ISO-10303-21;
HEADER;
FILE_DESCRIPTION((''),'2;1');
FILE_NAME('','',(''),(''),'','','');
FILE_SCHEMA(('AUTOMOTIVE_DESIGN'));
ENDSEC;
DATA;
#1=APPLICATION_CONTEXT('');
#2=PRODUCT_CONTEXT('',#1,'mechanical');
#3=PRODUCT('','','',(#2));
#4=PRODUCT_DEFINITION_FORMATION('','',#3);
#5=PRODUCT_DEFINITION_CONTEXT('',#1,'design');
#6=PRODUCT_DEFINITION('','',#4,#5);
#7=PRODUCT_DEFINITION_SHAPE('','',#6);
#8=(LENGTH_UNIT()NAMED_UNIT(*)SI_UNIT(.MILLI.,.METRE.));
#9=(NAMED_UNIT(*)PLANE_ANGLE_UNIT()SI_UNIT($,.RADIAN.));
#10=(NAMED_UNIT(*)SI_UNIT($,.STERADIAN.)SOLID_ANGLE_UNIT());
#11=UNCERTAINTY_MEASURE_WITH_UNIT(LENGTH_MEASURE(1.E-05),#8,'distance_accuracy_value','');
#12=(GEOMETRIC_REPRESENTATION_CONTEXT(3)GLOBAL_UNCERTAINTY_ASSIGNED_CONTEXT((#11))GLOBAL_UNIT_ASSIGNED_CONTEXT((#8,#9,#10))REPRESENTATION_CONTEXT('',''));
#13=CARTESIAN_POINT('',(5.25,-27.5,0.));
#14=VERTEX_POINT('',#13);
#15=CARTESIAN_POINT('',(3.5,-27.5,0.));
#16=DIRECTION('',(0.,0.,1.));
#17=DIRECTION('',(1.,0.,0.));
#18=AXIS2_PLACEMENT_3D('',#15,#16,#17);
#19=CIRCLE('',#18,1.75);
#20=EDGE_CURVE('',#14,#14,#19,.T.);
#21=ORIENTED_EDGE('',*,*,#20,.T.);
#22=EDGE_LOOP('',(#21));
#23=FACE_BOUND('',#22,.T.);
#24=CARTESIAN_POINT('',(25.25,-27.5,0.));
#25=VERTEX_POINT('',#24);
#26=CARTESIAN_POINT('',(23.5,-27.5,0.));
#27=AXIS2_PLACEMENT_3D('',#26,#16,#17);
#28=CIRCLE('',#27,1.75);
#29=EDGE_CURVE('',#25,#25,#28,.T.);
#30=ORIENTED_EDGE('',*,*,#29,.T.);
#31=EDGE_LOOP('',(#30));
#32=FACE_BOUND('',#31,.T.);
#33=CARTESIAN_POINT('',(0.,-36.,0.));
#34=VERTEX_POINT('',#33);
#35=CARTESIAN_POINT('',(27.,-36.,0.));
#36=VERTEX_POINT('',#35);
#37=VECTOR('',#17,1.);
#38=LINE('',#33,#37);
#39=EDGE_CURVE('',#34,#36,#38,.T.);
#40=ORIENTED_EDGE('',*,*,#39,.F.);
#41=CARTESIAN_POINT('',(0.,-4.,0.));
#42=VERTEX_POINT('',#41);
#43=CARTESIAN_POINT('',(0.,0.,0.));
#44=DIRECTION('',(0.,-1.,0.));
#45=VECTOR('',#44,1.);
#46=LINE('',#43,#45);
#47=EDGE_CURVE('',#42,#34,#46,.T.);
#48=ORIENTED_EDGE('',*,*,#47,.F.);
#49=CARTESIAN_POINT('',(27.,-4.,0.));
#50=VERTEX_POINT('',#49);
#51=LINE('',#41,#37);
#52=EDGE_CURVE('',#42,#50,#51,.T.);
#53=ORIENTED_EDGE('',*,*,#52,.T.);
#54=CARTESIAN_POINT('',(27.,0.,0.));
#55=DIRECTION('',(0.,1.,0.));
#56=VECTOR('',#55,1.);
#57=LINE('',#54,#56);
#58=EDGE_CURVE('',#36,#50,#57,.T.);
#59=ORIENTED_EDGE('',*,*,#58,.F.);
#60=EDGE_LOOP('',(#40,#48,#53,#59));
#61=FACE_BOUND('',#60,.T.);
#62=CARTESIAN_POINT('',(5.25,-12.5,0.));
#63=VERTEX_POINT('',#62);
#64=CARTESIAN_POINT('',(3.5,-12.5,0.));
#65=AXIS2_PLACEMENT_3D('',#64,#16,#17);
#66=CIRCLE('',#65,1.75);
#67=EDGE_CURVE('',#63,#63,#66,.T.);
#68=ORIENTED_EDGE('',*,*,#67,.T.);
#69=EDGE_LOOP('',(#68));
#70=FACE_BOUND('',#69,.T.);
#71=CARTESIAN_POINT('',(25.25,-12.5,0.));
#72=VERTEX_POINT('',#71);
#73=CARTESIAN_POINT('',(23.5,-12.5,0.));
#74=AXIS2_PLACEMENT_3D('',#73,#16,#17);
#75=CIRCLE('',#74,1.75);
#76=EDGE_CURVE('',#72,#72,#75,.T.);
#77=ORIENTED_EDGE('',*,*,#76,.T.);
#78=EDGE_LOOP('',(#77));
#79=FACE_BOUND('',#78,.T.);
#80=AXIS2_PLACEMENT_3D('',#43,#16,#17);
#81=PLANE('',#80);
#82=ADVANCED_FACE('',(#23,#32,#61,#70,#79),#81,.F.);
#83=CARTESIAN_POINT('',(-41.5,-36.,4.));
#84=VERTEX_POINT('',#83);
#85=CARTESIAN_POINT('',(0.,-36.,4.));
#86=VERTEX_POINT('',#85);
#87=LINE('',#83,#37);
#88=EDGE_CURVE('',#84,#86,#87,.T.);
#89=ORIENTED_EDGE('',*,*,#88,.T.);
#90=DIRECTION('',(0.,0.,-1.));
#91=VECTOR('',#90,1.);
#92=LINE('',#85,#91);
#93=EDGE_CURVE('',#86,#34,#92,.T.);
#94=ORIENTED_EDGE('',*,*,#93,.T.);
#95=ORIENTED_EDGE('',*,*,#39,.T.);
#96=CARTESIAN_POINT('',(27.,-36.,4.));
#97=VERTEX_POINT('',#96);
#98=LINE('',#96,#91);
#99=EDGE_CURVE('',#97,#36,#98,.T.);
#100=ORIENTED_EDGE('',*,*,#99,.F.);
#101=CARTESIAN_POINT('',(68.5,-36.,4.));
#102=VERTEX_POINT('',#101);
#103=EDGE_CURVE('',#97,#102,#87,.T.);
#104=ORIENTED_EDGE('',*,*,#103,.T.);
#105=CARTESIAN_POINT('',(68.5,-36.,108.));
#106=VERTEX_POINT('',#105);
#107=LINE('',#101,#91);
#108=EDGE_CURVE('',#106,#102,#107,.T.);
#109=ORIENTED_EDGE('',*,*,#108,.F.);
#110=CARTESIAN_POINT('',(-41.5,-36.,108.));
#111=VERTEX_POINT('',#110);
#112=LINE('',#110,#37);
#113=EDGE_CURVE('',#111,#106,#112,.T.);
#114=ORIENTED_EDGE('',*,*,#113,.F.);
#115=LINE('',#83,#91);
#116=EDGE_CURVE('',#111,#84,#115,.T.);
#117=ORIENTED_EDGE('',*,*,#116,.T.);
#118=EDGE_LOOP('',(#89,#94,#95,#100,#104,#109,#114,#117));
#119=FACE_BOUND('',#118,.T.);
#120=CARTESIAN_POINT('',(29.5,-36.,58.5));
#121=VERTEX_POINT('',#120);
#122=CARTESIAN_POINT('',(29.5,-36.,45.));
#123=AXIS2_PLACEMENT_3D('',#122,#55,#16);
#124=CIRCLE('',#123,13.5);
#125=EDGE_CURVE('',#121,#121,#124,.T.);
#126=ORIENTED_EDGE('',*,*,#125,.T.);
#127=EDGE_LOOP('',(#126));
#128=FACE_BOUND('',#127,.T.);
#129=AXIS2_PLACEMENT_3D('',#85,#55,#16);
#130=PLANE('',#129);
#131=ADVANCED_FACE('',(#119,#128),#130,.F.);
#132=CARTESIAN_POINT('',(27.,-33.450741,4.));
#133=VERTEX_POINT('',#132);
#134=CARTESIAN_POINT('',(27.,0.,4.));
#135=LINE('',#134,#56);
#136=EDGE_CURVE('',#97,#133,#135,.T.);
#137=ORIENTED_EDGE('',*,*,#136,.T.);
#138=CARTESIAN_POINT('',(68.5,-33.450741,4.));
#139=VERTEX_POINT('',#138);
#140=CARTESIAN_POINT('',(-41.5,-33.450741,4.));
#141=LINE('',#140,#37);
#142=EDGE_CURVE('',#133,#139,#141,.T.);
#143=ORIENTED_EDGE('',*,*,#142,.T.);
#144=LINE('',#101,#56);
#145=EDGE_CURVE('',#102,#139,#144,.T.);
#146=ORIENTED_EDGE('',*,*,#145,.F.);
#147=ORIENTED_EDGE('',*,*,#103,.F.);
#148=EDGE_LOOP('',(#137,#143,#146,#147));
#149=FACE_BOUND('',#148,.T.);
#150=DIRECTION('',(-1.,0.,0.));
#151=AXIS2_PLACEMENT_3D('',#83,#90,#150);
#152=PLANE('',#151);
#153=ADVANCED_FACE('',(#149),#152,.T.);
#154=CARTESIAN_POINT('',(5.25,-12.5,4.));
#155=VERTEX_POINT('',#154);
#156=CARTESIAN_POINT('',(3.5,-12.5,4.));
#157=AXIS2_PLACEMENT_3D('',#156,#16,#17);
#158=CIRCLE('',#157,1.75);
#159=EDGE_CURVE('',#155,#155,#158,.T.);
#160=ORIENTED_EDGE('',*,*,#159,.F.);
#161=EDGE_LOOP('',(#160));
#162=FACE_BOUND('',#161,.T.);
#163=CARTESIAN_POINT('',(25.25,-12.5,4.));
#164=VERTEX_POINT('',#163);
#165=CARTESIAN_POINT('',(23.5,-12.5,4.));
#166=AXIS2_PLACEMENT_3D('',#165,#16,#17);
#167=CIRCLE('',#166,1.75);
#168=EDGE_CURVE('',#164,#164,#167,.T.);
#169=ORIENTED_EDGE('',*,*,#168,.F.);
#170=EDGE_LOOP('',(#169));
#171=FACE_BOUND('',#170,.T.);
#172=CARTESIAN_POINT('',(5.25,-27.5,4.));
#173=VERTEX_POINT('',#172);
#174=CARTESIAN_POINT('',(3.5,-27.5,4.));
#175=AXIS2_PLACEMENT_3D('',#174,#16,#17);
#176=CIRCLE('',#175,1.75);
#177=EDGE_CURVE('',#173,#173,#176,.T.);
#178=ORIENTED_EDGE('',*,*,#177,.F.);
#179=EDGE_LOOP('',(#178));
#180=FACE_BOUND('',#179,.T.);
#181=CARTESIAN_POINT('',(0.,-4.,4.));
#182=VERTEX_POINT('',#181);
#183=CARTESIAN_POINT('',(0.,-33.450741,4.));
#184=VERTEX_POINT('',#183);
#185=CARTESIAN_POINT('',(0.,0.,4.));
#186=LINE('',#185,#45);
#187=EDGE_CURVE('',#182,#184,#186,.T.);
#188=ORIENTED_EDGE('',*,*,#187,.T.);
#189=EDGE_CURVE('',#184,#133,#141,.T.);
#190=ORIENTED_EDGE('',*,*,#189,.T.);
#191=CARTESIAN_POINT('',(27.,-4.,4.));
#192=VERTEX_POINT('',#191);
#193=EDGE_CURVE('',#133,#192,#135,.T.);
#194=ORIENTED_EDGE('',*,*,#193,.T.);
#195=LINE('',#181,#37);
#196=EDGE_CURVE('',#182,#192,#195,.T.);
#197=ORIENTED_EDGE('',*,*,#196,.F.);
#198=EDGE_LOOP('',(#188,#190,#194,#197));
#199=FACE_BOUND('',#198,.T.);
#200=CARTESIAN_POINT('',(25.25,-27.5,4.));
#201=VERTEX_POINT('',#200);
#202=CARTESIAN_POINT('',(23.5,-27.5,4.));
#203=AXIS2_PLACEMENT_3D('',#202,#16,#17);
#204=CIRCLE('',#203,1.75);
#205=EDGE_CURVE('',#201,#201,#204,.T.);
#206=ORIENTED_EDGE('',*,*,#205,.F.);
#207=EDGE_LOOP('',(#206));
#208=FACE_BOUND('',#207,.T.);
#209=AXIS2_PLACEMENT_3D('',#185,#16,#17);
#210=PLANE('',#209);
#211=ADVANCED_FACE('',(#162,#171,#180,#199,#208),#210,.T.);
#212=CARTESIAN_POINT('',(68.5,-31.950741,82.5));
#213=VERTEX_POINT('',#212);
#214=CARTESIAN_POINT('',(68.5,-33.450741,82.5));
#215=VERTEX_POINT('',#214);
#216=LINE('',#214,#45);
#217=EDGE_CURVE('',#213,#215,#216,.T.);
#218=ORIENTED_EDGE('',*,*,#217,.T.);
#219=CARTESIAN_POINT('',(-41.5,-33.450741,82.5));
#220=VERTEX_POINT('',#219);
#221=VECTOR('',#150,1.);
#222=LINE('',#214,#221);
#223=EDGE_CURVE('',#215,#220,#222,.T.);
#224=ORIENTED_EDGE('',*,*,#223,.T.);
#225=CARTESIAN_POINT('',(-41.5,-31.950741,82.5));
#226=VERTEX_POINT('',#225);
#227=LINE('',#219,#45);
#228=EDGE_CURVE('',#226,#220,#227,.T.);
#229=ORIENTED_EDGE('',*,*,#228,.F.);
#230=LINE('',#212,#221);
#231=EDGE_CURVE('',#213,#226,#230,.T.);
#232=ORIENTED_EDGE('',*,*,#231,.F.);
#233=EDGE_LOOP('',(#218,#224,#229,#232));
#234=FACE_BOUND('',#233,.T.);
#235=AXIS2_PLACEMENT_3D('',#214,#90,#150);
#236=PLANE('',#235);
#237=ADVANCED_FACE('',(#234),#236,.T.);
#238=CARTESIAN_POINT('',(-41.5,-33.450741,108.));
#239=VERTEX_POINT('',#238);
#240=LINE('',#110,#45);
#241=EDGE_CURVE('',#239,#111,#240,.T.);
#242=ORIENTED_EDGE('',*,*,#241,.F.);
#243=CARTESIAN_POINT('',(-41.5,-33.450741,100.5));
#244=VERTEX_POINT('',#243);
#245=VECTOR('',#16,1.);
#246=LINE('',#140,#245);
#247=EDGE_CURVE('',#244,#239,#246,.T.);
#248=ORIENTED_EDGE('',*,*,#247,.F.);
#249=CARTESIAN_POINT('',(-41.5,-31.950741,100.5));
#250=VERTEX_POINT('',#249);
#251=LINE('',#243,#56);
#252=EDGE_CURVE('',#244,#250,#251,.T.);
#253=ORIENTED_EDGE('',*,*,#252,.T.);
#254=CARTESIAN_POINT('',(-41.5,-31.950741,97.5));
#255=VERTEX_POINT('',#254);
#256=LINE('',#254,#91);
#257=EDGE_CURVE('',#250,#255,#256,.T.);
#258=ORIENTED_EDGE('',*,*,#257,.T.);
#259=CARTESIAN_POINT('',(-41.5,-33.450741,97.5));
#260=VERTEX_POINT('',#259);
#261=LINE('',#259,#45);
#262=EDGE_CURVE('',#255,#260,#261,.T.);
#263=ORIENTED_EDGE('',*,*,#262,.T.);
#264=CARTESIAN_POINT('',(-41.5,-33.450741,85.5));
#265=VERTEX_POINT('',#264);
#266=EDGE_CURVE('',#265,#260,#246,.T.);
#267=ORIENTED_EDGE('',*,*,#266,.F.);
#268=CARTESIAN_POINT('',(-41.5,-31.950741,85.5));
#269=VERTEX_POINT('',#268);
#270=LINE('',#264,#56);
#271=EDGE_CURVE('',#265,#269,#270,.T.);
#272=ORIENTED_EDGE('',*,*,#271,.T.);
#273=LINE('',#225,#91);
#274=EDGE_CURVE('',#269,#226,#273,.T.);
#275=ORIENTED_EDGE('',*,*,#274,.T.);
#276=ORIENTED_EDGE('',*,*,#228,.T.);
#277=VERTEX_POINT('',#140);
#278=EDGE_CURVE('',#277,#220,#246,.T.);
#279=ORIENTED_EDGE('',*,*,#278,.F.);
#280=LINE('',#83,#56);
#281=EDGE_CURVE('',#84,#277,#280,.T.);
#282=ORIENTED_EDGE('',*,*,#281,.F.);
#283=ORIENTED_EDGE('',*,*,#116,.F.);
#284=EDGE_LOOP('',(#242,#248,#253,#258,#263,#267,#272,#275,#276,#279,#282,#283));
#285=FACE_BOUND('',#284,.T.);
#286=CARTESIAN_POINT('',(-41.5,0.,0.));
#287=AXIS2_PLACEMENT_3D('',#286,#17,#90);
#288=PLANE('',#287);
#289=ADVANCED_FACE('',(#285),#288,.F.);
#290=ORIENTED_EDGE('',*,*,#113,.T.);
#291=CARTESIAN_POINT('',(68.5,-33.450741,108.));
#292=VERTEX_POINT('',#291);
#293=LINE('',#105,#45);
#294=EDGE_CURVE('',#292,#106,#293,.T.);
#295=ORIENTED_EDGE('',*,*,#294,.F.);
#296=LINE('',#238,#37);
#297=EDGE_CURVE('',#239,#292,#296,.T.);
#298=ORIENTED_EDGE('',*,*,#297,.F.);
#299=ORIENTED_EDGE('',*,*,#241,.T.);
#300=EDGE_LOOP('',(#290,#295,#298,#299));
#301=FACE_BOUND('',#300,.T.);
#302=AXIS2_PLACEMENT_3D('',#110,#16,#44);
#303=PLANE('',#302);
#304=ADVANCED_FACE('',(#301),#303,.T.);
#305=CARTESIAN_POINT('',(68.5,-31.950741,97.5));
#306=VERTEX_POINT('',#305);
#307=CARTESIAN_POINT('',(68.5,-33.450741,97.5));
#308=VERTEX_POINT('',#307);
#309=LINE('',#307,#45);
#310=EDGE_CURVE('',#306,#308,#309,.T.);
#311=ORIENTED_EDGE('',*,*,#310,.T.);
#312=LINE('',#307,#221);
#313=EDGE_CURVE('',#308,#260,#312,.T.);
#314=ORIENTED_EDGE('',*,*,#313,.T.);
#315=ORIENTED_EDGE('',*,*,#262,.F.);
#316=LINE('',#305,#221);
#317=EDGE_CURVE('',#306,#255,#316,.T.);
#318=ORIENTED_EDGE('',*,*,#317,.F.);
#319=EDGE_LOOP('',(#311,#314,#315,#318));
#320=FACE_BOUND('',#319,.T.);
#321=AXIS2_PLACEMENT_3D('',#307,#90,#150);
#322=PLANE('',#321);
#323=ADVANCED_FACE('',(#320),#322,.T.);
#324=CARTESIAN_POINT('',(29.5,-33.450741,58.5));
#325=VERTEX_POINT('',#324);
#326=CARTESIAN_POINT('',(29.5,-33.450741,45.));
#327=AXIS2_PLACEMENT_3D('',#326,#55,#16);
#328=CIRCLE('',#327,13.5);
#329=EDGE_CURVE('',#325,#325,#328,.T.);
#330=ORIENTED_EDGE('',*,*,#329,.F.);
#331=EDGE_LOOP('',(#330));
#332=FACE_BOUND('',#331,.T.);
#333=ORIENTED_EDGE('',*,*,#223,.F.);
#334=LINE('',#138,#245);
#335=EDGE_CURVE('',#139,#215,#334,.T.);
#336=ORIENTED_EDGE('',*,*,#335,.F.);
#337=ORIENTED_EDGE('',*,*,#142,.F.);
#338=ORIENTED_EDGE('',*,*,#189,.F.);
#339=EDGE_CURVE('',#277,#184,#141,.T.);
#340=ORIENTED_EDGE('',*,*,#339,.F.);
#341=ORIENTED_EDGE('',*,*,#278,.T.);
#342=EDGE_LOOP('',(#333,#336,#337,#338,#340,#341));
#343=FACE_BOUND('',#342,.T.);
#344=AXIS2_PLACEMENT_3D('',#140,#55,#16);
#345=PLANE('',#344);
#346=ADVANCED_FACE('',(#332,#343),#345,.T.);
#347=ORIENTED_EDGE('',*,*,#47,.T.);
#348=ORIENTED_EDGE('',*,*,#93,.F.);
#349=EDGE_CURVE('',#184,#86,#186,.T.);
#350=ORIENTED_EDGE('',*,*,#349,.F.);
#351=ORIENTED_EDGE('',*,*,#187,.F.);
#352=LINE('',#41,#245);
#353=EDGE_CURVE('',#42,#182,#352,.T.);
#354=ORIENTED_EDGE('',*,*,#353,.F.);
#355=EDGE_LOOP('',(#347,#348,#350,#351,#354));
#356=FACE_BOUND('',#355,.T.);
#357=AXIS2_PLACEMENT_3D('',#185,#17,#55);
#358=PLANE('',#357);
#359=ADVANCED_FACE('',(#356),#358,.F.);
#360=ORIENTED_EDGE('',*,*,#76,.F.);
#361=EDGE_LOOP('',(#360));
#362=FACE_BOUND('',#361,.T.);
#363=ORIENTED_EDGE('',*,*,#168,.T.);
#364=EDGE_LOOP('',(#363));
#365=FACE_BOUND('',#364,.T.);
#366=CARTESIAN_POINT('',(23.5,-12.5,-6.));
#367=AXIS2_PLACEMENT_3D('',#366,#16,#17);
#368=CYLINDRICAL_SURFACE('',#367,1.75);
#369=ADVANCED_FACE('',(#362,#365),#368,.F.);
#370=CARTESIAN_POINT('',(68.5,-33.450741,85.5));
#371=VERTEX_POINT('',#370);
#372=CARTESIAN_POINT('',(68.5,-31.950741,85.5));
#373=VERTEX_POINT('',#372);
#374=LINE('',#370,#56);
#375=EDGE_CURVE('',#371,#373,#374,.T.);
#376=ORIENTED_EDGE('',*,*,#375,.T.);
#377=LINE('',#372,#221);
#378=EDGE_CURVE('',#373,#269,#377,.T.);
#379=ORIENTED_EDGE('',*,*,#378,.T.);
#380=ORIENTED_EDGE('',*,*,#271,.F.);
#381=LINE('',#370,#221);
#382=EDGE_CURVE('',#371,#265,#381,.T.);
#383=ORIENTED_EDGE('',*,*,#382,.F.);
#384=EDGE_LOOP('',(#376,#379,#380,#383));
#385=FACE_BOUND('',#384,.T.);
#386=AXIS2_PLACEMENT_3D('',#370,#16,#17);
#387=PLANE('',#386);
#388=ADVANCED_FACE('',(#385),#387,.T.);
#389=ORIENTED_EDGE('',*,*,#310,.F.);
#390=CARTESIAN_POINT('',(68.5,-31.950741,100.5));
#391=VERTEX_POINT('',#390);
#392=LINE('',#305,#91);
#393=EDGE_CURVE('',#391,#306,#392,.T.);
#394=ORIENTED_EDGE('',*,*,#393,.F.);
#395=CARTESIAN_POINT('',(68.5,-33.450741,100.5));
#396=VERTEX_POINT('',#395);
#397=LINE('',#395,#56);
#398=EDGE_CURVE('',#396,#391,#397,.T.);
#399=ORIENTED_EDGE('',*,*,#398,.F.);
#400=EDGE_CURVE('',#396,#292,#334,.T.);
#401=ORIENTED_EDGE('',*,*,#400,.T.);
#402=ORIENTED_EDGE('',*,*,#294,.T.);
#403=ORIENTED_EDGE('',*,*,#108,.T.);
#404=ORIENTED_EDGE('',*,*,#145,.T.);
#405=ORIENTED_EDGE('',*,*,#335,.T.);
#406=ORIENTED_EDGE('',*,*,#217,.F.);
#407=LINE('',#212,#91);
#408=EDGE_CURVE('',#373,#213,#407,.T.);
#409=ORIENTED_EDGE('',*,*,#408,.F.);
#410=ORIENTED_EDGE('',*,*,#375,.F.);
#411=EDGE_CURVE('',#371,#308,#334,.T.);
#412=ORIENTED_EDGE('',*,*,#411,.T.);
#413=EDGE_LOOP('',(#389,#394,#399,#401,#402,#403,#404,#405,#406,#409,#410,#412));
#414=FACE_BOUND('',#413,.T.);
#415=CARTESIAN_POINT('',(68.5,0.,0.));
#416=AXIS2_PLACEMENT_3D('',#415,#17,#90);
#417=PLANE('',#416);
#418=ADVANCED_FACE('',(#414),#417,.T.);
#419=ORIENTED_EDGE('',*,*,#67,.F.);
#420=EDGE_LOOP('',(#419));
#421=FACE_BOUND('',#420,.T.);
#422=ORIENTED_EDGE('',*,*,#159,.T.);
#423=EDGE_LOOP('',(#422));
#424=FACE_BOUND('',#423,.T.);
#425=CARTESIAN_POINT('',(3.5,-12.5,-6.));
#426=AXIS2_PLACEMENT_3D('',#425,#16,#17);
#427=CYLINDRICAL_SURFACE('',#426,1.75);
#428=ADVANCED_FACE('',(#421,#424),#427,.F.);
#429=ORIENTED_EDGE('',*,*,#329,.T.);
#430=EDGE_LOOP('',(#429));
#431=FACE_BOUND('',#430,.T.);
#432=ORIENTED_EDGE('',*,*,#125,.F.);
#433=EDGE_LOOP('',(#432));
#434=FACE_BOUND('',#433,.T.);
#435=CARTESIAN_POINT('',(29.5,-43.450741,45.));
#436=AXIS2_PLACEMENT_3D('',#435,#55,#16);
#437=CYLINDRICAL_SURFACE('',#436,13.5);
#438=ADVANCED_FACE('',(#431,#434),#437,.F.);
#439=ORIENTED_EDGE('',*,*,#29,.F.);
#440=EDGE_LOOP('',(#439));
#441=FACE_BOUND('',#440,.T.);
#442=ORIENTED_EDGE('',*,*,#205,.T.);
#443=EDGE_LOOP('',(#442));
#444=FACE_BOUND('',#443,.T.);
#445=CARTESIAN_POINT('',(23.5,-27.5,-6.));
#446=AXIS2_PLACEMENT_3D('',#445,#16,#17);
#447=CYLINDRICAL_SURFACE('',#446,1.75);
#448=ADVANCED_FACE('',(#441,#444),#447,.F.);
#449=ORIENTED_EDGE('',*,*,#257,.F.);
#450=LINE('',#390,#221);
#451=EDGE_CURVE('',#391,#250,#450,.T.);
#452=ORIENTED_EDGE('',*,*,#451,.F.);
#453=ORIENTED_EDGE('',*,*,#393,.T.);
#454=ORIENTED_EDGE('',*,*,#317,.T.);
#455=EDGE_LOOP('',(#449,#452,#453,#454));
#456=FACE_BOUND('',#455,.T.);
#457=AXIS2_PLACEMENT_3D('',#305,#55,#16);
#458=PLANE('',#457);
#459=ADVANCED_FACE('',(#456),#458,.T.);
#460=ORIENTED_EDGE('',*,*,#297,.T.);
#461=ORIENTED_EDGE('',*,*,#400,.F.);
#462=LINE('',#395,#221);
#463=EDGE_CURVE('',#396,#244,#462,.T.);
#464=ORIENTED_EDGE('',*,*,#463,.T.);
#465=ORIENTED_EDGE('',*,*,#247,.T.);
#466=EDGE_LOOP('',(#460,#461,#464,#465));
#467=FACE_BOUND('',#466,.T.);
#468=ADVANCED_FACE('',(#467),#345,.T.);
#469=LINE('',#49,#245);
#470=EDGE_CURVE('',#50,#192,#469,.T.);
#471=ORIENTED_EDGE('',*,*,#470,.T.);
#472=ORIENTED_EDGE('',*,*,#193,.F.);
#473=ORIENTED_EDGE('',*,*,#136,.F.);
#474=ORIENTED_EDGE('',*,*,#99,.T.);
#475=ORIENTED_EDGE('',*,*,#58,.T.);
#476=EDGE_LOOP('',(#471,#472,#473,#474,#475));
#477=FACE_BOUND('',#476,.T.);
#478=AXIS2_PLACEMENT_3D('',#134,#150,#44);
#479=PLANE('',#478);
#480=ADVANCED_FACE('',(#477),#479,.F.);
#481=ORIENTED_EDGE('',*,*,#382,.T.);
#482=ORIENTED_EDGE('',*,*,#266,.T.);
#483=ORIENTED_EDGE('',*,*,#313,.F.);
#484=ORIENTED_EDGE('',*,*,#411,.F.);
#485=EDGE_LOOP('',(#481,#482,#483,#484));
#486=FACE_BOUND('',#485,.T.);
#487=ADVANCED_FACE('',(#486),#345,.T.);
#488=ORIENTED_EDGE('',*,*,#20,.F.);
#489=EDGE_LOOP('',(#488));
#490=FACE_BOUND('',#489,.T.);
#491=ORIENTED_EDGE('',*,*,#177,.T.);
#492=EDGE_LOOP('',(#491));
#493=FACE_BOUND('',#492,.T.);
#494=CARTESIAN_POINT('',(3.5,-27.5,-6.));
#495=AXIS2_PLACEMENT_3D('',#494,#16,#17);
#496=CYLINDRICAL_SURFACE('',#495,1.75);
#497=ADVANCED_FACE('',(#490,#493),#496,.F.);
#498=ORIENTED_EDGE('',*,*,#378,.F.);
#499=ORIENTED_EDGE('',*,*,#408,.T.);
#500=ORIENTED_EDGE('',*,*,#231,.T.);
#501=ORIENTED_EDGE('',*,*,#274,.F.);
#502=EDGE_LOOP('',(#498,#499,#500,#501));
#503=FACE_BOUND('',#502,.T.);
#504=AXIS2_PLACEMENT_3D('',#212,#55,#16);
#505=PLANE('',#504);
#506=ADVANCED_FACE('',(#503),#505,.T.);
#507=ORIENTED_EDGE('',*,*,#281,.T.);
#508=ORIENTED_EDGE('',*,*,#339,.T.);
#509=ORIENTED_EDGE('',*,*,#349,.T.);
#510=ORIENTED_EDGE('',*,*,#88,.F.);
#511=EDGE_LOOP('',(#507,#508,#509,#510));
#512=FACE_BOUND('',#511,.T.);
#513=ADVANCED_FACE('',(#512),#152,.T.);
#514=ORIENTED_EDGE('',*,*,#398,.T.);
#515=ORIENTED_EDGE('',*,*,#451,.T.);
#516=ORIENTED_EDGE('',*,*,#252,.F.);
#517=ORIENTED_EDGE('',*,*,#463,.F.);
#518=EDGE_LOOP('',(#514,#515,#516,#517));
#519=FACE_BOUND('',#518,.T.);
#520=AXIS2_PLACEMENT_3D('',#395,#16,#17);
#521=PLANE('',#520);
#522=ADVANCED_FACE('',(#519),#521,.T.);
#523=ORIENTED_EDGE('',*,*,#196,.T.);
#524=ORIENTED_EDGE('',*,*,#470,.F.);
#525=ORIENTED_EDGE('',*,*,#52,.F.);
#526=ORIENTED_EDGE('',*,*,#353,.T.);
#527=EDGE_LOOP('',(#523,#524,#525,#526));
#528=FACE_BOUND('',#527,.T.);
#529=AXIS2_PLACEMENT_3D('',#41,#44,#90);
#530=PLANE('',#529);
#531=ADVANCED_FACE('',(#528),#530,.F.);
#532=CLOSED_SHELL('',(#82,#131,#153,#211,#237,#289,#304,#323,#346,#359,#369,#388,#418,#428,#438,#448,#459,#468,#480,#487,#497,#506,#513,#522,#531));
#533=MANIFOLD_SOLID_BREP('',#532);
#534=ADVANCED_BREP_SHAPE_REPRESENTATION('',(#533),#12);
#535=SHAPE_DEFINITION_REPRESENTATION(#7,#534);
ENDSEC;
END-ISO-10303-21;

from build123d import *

# Parameters (mm, degrees)
SCHIZZO1_W                        = 27
SCHIZZO1_H                        = 36
ESTRUSIONE_ESTRUSIONE1_DEPTH      = 4
SCHIZZO10_R                       = 1.75
TAGLIO_ESTRUSIONE5_DEPTH          = 10
SCHIZZO12_W                       = 104
SCHIZZO12_H                       = 2.549259356
ESTRUSIONE_ESTRUSIONE2_DEPTH      = 55
ESTRUSIONE_ESTRUSIONE2_DEPTH_BACK = 55
SCHIZZO14_W                       = 3
SCHIZZO14_H                       = 1.5
ESTRUSIONE_ESTRUSIONE3_DEPTH      = 110
SCHIZZO15_W                       = 27
SCHIZZO15_H                       = 4
TAGLIO_ESTRUSIONE6_DEPTH          = 5
SCHIZZO16_R                       = 13.5
TAGLIO_ESTRUSIONE7_DEPTH          = 10


with BuildPart() as part:
    # Schizzo1 → Estrusione-Estrusione1 (new body)
    with BuildSketch(Plane.XY):
        with Locations((13.5, -18)):
            Rectangle(SCHIZZO1_W, SCHIZZO1_H)
    extrude(amount=ESTRUSIONE_ESTRUSIONE1_DEPTH)

    # Schizzo10 → Taglio-Estrusione5 (cut)
    with BuildSketch(Plane.XY.offset(4)):
        with Locations((3.5, -12.5)):
            Circle(SCHIZZO10_R)
        with Locations((23.5, -12.5)):
            Circle(SCHIZZO10_R)
        with Locations((23.5, -27.5)):
            Circle(SCHIZZO10_R)
        with Locations((3.5, -27.5)):
            Circle(SCHIZZO10_R)
    extrude(amount=-TAGLIO_ESTRUSIONE5_DEPTH, mode=Mode.SUBTRACT)

    # Schizzo12 → Estrusione-Estrusione2 (add, two sides)
    with BuildSketch(Plane(origin=(13.5, 0, 0), x_dir=(0, 0, -1), z_dir=(1, 0, 0))) as estrusione_estrusione2_sk:
        with Locations((-56, -34.725370322)):
            Rectangle(SCHIZZO12_W, SCHIZZO12_H)
    extrude(amount=ESTRUSIONE_ESTRUSIONE2_DEPTH)
    extrude(estrusione_estrusione2_sk.sketch, amount=-ESTRUSIONE_ESTRUSIONE2_DEPTH_BACK)

    # Schizzo14 → Estrusione-Estrusione3 (add)
    with BuildSketch(Plane.ZY.offset(41.5)):
        with Locations((84, -32.700740644)):
            Rectangle(SCHIZZO14_W, SCHIZZO14_H)
        with Locations((99, -32.700740644)):
            Rectangle(SCHIZZO14_W, SCHIZZO14_H)
    extrude(amount=-ESTRUSIONE_ESTRUSIONE3_DEPTH)

    # Schizzo15 → Taglio-Estrusione6 (cut, through all)
    with BuildSketch(Plane.XY.offset(4)):
        with Locations((13.5, -2)):
            Rectangle(SCHIZZO15_W, SCHIZZO15_H)
    extrude(amount=-TAGLIO_ESTRUSIONE6_DEPTH, mode=Mode.SUBTRACT)

    # Schizzo16 → Taglio-Estrusione7 (cut)
    with BuildSketch(Plane(origin=(0, -33.450740644, 0), x_dir=(1, 0, 0), z_dir=(0, 1, 0))):
        with Locations((29.5, -45)):
            Circle(SCHIZZO16_R)
    extrude(amount=-TAGLIO_ESTRUSIONE7_DEPTH, mode=Mode.SUBTRACT)


solid = part.part
